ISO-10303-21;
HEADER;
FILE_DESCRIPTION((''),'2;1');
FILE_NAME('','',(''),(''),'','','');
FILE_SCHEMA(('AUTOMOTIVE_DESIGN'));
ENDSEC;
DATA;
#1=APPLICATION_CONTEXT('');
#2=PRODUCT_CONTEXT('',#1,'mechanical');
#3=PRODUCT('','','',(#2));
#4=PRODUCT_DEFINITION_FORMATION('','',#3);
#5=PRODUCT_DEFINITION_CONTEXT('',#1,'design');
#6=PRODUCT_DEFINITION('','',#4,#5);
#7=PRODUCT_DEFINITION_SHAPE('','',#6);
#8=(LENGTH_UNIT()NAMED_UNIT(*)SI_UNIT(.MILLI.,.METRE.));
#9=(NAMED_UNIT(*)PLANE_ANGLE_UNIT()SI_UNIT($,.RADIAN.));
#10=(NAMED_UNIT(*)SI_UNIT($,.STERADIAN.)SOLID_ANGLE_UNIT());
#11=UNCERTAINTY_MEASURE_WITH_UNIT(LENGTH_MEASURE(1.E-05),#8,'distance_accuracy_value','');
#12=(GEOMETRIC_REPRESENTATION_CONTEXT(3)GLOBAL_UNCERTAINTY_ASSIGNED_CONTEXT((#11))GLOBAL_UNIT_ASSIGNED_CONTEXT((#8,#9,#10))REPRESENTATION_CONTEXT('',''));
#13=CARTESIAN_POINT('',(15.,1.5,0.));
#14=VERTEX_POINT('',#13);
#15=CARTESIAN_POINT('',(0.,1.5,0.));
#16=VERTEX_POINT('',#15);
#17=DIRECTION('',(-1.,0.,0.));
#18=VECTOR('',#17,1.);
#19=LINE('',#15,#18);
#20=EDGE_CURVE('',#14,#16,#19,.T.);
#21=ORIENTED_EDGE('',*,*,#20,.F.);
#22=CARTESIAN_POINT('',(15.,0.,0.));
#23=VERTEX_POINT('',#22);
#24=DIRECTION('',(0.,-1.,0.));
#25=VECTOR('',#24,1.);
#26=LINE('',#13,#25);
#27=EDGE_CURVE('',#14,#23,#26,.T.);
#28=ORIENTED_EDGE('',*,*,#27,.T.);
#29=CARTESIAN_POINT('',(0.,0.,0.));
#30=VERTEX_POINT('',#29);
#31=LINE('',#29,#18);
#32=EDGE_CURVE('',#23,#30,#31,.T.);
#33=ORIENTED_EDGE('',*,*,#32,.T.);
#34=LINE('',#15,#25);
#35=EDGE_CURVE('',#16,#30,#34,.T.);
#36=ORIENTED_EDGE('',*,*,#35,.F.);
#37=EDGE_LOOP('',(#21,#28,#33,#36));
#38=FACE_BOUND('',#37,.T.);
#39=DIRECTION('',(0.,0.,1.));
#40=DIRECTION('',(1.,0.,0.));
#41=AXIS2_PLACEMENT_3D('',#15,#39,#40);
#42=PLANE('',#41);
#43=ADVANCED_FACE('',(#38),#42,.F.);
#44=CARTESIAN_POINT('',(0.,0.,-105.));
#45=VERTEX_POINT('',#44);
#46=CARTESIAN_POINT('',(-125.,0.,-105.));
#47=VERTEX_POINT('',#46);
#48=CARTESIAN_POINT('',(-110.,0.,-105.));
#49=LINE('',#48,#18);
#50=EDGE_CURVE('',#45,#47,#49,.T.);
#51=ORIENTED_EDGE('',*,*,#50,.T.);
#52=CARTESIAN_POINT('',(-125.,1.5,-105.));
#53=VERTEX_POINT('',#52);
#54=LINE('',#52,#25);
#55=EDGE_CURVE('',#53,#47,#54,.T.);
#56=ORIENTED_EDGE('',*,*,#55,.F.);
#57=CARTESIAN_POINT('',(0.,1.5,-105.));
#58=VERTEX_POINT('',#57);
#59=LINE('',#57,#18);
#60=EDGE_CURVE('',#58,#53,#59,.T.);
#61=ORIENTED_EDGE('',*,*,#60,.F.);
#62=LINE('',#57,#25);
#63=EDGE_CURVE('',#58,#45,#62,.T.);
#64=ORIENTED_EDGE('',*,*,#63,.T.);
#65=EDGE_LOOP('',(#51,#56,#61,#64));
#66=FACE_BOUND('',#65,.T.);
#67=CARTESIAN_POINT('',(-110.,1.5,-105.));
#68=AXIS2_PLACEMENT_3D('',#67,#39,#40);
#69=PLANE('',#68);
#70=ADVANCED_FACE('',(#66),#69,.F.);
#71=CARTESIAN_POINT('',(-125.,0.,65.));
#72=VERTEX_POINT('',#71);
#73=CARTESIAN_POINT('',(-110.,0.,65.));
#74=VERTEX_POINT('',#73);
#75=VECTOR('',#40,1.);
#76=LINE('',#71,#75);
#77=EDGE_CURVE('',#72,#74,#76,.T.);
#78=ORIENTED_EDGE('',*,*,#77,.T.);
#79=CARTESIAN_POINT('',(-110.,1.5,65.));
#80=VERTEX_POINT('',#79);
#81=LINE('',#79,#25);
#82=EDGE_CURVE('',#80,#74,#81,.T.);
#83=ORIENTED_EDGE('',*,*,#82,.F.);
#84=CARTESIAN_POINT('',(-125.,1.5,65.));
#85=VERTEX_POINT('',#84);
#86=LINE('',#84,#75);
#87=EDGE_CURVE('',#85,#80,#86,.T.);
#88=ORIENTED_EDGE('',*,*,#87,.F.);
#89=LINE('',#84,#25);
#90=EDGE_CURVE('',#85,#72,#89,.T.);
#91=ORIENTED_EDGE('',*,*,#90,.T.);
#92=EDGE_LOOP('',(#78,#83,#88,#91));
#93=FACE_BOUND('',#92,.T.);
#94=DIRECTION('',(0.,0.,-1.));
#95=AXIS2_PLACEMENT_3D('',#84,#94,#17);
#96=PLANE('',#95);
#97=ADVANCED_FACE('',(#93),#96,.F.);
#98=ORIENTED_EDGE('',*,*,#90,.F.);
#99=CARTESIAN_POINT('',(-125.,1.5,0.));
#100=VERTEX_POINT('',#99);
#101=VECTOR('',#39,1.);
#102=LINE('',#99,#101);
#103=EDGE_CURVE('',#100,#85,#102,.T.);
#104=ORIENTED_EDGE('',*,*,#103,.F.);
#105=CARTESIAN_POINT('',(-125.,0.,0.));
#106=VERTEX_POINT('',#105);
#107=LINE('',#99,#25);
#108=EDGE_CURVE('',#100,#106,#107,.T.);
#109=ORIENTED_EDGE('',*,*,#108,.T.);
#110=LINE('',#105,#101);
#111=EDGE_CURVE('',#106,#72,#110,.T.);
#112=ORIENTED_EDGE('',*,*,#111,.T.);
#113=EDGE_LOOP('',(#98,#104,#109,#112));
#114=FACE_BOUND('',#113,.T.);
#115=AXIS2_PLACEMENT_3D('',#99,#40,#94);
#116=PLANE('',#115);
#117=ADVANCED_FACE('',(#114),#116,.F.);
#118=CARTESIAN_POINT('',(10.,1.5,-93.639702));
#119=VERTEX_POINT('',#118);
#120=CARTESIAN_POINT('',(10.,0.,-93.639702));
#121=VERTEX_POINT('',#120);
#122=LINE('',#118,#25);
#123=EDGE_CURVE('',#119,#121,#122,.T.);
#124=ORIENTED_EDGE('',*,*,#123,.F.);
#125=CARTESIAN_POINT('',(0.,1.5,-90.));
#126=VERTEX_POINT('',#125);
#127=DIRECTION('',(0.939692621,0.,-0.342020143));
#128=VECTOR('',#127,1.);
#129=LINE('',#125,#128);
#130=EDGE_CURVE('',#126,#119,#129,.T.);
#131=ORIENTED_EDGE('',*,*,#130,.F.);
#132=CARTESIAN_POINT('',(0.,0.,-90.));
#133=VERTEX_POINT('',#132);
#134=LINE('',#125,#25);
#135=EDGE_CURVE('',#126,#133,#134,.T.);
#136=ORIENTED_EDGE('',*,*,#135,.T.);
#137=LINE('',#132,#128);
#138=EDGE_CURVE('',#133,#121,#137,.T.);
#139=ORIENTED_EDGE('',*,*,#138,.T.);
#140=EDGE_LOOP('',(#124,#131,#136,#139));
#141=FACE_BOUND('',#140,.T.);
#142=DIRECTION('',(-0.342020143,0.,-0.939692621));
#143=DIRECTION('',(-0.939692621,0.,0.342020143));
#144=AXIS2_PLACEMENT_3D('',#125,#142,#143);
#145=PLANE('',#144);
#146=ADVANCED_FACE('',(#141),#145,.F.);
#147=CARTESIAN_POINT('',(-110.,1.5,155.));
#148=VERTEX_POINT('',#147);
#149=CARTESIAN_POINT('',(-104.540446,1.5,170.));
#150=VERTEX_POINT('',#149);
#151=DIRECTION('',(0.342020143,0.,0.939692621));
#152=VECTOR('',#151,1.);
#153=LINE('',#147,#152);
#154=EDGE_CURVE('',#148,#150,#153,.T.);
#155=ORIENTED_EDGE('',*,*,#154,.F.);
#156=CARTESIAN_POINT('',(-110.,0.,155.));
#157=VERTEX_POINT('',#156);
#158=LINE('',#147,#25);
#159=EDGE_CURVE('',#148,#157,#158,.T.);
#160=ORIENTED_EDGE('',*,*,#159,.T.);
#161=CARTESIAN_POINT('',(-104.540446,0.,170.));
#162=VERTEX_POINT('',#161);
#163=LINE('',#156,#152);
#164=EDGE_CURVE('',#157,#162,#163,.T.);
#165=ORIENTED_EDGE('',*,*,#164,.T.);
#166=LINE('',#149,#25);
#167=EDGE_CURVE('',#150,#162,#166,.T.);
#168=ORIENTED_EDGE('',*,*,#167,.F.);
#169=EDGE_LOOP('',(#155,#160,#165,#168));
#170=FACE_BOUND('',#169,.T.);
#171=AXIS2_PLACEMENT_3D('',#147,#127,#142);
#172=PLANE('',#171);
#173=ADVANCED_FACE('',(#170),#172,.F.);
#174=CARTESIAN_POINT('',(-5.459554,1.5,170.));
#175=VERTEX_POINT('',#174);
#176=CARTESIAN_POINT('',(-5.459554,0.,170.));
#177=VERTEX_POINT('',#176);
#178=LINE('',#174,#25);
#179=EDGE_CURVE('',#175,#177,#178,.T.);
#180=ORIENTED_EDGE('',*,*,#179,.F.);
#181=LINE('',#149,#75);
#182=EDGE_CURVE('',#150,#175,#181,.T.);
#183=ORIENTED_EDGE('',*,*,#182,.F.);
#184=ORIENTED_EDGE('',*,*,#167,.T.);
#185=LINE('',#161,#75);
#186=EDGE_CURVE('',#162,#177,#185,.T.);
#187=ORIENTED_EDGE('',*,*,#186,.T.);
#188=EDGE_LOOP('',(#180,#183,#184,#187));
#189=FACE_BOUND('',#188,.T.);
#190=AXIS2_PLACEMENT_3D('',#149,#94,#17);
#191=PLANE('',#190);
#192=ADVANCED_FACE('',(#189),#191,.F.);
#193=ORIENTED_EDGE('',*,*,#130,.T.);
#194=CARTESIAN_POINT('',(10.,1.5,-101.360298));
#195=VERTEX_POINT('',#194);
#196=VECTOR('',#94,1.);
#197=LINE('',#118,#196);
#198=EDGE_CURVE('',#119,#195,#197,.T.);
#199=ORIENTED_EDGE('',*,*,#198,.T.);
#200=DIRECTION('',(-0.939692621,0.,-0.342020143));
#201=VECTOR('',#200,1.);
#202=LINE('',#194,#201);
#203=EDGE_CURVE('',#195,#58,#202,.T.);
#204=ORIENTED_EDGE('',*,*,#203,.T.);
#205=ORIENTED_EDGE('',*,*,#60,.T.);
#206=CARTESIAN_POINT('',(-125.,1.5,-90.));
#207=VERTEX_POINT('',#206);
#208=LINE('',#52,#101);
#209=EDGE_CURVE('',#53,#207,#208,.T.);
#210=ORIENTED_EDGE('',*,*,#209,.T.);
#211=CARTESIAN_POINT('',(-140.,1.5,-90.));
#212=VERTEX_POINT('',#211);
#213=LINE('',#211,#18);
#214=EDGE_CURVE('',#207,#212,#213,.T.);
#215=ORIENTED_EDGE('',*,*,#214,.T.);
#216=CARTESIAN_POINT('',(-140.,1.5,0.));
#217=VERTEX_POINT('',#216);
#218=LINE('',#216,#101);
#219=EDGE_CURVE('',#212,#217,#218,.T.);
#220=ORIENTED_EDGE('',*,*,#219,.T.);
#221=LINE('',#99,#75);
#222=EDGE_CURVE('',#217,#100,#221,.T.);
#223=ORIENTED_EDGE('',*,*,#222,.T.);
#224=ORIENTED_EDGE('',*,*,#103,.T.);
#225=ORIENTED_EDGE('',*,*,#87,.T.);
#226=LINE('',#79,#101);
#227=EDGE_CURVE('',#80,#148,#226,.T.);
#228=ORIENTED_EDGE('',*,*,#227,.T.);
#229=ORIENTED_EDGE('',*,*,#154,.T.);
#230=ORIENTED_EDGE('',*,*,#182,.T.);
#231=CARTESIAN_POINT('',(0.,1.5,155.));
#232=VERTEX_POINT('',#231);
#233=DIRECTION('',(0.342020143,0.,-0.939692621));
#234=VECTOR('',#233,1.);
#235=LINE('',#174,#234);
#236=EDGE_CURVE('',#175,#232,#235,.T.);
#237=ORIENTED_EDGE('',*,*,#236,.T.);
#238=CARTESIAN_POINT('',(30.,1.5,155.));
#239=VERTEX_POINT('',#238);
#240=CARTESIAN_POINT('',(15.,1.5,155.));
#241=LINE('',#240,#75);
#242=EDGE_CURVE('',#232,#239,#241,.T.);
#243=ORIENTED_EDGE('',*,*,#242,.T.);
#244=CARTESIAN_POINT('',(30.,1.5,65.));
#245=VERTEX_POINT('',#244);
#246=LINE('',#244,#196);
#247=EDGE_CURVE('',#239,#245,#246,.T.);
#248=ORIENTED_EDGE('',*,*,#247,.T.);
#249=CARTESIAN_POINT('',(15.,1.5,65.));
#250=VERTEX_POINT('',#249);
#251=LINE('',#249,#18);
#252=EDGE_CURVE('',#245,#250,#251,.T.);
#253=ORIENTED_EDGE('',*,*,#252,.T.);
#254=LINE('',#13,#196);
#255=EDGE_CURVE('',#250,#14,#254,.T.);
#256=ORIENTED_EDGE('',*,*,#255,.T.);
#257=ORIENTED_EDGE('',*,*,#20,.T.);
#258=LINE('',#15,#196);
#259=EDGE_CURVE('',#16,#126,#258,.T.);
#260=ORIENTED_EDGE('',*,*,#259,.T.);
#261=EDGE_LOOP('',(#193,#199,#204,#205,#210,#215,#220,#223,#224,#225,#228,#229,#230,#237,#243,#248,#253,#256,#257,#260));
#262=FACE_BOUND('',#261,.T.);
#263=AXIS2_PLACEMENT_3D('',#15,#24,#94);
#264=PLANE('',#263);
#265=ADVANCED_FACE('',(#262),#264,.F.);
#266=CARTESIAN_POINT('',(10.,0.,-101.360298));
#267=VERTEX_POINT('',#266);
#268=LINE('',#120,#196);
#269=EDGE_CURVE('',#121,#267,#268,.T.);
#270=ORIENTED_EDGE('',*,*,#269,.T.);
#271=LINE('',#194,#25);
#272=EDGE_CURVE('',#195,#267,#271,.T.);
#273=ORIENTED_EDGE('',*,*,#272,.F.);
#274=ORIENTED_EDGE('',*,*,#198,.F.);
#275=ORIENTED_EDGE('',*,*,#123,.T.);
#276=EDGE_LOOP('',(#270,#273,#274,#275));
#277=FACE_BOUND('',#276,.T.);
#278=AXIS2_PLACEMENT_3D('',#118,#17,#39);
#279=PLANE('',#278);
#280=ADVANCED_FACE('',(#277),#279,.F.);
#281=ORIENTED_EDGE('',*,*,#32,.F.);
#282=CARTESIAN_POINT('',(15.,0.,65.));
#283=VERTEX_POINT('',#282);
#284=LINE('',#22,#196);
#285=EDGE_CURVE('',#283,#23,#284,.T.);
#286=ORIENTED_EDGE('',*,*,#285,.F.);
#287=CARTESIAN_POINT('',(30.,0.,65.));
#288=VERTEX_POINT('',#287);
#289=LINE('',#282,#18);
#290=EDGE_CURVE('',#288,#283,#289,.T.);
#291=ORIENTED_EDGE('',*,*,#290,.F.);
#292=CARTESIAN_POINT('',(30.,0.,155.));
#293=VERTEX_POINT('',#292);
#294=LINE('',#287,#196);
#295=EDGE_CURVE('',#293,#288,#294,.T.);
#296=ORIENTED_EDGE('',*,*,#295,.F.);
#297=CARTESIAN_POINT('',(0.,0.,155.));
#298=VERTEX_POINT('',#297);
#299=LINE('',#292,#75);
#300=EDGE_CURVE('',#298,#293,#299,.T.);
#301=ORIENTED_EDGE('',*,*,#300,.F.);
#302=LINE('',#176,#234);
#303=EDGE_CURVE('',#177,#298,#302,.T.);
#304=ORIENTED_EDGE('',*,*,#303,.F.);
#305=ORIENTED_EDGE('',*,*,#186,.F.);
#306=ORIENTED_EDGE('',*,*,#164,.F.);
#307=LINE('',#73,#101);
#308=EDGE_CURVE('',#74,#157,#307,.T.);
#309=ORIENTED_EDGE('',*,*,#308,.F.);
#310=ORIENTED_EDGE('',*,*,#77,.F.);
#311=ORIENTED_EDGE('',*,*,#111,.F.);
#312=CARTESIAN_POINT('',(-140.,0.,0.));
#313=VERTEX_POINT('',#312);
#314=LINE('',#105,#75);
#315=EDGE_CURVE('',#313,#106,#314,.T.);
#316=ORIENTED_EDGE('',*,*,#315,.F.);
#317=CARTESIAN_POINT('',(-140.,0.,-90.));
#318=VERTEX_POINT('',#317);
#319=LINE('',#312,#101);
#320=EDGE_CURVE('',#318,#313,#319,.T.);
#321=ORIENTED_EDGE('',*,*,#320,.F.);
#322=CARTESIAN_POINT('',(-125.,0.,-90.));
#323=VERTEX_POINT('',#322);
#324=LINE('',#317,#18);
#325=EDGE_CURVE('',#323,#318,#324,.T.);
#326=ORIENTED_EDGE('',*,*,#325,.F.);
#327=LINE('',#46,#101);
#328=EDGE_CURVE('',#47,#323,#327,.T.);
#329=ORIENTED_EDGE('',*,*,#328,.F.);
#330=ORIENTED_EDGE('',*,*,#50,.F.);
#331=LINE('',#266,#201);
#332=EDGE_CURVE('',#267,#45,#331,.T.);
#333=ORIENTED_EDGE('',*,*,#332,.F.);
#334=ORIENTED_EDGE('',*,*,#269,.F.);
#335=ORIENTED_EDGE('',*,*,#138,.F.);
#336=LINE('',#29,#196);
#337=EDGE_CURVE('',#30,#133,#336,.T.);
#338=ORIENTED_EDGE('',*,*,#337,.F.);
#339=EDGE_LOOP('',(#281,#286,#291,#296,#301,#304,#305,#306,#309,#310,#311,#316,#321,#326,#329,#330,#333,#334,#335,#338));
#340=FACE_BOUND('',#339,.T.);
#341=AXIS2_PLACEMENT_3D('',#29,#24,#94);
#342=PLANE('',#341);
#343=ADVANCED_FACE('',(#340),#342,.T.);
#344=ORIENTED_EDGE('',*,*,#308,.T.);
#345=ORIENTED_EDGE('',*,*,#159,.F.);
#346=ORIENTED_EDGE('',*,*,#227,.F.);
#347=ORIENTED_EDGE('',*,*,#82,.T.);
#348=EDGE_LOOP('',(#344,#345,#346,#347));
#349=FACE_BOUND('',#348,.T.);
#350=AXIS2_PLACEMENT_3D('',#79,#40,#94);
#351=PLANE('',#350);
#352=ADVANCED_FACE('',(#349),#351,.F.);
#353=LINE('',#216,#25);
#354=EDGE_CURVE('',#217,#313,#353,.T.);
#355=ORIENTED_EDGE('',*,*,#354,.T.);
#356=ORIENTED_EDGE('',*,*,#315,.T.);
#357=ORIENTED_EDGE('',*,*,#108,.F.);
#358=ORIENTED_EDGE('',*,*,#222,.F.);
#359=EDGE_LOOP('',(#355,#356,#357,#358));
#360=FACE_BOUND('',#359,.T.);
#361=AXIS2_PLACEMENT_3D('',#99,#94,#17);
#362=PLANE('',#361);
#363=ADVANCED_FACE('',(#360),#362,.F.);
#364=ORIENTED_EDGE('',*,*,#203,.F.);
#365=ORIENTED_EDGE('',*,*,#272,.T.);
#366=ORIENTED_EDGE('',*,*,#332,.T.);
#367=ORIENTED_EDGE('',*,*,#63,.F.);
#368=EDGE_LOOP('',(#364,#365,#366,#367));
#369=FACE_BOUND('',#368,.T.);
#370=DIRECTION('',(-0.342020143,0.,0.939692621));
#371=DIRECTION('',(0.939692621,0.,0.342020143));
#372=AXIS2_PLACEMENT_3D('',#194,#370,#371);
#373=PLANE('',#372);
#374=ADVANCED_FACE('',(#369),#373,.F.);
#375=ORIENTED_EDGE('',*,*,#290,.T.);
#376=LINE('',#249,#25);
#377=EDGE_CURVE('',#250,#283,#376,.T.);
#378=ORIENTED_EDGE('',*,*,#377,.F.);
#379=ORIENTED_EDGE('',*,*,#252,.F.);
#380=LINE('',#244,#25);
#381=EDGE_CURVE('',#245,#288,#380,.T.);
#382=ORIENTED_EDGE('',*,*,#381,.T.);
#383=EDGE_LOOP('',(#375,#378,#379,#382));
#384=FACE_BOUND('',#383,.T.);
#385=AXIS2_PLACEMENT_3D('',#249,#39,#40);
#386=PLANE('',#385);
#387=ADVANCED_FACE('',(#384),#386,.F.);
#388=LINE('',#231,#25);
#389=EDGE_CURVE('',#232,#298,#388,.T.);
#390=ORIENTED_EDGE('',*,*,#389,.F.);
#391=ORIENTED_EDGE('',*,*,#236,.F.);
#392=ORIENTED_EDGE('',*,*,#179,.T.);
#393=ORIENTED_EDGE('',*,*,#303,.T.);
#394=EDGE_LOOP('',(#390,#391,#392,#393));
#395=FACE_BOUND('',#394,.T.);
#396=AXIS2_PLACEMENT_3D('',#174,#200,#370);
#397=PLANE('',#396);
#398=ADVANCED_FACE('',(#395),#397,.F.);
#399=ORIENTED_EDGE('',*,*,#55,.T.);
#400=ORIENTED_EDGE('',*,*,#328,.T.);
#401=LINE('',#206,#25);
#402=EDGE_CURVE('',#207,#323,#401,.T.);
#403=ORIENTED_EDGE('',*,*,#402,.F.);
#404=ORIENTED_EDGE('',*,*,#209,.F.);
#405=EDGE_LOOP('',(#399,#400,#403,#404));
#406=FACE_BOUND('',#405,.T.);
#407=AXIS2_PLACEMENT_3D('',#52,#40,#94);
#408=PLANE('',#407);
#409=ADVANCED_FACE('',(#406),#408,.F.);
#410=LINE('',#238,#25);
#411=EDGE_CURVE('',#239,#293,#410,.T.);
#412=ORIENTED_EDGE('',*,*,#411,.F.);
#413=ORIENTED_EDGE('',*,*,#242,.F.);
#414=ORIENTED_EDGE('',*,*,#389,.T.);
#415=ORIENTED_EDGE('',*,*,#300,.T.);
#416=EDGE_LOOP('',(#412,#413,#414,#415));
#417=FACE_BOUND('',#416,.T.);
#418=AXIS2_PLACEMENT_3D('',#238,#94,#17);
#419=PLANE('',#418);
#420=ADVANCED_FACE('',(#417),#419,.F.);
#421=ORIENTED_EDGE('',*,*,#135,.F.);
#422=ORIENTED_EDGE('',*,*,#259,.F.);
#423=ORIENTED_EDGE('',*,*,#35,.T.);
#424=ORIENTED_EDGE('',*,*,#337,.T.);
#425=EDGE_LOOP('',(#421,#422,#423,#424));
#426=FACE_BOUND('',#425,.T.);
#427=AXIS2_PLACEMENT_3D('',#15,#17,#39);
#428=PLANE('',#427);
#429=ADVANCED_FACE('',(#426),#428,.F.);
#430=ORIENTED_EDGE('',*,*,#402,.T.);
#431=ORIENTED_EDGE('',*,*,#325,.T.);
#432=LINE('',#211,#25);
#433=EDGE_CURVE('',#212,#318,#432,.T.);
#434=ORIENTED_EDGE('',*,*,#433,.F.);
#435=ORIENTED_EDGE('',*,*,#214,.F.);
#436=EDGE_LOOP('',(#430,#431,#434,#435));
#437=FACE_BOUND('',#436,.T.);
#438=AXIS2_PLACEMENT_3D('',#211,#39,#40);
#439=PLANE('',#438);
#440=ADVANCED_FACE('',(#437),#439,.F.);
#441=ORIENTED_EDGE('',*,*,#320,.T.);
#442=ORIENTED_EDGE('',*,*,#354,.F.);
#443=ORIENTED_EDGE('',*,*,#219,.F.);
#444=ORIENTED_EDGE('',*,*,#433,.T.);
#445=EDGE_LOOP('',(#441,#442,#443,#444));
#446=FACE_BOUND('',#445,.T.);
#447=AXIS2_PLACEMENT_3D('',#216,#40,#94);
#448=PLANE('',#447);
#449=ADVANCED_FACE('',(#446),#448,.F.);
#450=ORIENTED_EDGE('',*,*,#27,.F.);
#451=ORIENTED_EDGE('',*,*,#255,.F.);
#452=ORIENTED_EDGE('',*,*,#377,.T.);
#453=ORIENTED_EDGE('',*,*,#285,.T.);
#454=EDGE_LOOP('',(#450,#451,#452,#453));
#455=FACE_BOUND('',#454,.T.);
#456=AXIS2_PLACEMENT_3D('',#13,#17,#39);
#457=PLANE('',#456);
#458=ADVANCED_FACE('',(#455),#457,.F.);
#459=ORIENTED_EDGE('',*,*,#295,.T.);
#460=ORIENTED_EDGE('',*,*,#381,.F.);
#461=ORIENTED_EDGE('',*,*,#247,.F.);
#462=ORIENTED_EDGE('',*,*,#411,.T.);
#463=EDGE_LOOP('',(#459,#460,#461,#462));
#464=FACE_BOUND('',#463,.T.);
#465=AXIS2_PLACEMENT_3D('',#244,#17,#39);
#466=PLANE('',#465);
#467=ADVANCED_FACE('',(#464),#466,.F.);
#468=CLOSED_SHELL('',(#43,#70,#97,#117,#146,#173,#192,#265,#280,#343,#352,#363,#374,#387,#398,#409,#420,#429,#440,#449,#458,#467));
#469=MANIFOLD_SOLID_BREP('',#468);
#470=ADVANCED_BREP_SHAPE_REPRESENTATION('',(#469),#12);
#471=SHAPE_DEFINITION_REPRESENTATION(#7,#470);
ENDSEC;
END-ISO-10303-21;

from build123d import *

# Parameters (mm, degrees)
SALIENTE_EXTRUIR1_DEPTH = 1.5


with BuildPart() as part:
    # Croquis1 → Saliente-Extruir1 (new body)
    with BuildSketch(Plane(origin=(0, 0, 0), x_dir=(1, 0, 0), z_dir=(0, 1, 0))):
        Polygon((0, 0), (0, 90), (10, 93.639702343), (10, 101.360297657), (0, 105), (-110, 105), (-125, 105), (-125, 90), (-140, 90), (-140, 0), (-125, 0), (-125, -65), (-110, -65), (-110, -155), (-104.540446486, -170), (-5.459553514, -170), (0, -155), (15, -155), (30, -155), (30, -65), (15, -65), (15, 0), align=None)
    extrude(amount=SALIENTE_EXTRUIR1_DEPTH)


solid = part.part
